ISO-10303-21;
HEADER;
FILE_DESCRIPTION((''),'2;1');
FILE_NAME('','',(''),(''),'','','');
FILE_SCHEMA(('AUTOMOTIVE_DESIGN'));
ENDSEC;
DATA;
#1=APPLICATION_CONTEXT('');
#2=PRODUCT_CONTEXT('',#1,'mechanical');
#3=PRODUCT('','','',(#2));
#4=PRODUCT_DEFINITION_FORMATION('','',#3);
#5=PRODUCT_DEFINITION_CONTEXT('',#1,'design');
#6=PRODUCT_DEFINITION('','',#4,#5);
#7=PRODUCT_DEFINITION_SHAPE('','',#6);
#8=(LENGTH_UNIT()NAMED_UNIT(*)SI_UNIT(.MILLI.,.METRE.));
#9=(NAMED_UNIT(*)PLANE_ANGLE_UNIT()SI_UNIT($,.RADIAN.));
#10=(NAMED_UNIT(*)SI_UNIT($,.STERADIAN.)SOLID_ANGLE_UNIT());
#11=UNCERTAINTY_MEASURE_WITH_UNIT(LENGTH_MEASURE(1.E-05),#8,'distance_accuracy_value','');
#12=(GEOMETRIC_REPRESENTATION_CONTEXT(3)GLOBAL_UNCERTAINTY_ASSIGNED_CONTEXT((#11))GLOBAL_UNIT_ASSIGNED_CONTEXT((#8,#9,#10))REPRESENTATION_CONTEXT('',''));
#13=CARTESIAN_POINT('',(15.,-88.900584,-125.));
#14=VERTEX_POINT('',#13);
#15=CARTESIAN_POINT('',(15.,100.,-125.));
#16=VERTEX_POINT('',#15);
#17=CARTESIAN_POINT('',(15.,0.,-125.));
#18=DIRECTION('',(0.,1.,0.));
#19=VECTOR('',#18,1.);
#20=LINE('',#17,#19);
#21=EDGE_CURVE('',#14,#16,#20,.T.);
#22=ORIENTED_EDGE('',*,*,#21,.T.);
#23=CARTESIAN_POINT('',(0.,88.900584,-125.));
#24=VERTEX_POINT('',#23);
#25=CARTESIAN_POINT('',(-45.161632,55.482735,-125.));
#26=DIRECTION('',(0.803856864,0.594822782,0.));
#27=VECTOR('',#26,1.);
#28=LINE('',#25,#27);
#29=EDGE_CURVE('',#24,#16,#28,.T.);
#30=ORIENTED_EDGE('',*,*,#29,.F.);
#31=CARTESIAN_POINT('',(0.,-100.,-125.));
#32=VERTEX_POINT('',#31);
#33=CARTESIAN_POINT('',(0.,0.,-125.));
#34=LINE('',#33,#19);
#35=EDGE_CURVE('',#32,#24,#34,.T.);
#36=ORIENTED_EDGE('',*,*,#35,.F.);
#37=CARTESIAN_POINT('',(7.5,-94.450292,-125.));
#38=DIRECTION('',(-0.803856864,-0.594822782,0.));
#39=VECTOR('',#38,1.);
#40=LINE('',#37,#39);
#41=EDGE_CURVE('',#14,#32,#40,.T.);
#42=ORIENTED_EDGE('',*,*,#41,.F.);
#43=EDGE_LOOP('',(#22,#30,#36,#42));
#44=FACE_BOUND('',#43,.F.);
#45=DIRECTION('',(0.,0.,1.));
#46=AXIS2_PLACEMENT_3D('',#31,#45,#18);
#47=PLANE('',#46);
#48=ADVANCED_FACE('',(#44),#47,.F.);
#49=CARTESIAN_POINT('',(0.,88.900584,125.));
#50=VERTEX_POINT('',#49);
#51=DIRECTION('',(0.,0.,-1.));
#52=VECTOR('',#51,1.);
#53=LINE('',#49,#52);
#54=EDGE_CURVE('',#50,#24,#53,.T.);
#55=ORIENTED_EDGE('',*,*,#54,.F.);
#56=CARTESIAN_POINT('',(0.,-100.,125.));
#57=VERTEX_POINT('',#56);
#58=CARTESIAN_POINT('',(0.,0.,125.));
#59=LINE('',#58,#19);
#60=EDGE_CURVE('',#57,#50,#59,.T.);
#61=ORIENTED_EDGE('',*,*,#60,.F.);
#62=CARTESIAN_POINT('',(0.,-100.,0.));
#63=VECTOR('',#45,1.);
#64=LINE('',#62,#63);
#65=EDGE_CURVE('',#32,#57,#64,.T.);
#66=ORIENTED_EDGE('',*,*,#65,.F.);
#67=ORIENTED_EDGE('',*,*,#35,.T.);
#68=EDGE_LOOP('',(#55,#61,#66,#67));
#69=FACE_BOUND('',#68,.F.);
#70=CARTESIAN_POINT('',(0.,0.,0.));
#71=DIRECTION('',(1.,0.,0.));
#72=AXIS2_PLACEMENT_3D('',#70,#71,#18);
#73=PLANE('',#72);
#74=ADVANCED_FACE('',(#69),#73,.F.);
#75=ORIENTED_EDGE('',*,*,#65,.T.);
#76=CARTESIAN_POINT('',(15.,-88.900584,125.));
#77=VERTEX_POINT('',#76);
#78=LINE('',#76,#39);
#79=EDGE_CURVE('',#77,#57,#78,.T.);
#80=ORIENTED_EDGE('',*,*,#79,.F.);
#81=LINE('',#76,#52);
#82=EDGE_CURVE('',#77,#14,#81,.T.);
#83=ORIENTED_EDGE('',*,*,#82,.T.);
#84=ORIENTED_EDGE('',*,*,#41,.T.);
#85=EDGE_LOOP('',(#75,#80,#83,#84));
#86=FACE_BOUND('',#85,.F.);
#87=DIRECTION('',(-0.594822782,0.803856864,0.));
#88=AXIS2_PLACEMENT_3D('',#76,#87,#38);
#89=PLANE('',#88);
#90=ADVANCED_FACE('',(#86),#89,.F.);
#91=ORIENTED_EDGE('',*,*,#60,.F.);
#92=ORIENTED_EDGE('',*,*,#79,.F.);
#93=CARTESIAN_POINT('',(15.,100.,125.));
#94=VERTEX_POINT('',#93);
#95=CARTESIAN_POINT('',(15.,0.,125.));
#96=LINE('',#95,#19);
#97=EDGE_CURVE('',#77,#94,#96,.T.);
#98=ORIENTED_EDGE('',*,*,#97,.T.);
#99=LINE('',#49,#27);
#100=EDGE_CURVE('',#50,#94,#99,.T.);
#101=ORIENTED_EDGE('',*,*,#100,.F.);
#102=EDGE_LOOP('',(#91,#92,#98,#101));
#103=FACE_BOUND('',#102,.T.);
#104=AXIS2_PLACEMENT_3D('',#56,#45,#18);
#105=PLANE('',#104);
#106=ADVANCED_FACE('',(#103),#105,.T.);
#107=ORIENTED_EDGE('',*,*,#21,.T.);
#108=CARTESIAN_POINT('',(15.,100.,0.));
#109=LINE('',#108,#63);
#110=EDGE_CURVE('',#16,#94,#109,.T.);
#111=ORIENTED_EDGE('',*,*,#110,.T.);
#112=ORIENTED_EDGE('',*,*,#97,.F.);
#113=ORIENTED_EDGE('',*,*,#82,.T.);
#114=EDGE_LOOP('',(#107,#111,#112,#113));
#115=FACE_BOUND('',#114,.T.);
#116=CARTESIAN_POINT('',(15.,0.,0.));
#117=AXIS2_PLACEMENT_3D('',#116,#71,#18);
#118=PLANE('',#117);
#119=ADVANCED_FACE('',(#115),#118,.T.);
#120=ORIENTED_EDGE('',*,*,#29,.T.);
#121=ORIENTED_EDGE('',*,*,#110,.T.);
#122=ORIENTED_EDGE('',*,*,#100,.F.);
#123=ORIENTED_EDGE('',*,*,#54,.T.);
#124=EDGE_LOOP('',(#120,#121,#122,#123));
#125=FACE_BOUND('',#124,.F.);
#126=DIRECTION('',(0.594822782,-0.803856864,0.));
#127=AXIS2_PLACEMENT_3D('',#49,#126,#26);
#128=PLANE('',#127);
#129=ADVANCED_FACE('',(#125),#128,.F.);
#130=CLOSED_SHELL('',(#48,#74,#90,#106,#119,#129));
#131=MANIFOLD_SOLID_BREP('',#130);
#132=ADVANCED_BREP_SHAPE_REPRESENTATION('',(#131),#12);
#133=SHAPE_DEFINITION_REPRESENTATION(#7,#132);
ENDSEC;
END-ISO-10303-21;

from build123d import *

# Parameters (mm, degrees)
F0_W     = 200
F0_H     = 250
F1_DEPTH = 15
F3_DEPTH = 999


with BuildPart() as f1:
    # F0 (on Right) → F1 (new body)
    with BuildSketch(Plane.YZ):
        Rectangle(F0_W, F0_H)
    extrude(amount=F1_DEPTH)

    # F2 (on face) → F3 (cut)
    with BuildSketch(Plane.XY.offset(125)):
        Polygon((0, 100), (0, 88.900584), (15, 100), align=None)
        Polygon((15, -88.900584), (0, -100), (15, -100), align=None)
    extrude(amount=-F3_DEPTH, mode=Mode.SUBTRACT)


solid = f1.part
